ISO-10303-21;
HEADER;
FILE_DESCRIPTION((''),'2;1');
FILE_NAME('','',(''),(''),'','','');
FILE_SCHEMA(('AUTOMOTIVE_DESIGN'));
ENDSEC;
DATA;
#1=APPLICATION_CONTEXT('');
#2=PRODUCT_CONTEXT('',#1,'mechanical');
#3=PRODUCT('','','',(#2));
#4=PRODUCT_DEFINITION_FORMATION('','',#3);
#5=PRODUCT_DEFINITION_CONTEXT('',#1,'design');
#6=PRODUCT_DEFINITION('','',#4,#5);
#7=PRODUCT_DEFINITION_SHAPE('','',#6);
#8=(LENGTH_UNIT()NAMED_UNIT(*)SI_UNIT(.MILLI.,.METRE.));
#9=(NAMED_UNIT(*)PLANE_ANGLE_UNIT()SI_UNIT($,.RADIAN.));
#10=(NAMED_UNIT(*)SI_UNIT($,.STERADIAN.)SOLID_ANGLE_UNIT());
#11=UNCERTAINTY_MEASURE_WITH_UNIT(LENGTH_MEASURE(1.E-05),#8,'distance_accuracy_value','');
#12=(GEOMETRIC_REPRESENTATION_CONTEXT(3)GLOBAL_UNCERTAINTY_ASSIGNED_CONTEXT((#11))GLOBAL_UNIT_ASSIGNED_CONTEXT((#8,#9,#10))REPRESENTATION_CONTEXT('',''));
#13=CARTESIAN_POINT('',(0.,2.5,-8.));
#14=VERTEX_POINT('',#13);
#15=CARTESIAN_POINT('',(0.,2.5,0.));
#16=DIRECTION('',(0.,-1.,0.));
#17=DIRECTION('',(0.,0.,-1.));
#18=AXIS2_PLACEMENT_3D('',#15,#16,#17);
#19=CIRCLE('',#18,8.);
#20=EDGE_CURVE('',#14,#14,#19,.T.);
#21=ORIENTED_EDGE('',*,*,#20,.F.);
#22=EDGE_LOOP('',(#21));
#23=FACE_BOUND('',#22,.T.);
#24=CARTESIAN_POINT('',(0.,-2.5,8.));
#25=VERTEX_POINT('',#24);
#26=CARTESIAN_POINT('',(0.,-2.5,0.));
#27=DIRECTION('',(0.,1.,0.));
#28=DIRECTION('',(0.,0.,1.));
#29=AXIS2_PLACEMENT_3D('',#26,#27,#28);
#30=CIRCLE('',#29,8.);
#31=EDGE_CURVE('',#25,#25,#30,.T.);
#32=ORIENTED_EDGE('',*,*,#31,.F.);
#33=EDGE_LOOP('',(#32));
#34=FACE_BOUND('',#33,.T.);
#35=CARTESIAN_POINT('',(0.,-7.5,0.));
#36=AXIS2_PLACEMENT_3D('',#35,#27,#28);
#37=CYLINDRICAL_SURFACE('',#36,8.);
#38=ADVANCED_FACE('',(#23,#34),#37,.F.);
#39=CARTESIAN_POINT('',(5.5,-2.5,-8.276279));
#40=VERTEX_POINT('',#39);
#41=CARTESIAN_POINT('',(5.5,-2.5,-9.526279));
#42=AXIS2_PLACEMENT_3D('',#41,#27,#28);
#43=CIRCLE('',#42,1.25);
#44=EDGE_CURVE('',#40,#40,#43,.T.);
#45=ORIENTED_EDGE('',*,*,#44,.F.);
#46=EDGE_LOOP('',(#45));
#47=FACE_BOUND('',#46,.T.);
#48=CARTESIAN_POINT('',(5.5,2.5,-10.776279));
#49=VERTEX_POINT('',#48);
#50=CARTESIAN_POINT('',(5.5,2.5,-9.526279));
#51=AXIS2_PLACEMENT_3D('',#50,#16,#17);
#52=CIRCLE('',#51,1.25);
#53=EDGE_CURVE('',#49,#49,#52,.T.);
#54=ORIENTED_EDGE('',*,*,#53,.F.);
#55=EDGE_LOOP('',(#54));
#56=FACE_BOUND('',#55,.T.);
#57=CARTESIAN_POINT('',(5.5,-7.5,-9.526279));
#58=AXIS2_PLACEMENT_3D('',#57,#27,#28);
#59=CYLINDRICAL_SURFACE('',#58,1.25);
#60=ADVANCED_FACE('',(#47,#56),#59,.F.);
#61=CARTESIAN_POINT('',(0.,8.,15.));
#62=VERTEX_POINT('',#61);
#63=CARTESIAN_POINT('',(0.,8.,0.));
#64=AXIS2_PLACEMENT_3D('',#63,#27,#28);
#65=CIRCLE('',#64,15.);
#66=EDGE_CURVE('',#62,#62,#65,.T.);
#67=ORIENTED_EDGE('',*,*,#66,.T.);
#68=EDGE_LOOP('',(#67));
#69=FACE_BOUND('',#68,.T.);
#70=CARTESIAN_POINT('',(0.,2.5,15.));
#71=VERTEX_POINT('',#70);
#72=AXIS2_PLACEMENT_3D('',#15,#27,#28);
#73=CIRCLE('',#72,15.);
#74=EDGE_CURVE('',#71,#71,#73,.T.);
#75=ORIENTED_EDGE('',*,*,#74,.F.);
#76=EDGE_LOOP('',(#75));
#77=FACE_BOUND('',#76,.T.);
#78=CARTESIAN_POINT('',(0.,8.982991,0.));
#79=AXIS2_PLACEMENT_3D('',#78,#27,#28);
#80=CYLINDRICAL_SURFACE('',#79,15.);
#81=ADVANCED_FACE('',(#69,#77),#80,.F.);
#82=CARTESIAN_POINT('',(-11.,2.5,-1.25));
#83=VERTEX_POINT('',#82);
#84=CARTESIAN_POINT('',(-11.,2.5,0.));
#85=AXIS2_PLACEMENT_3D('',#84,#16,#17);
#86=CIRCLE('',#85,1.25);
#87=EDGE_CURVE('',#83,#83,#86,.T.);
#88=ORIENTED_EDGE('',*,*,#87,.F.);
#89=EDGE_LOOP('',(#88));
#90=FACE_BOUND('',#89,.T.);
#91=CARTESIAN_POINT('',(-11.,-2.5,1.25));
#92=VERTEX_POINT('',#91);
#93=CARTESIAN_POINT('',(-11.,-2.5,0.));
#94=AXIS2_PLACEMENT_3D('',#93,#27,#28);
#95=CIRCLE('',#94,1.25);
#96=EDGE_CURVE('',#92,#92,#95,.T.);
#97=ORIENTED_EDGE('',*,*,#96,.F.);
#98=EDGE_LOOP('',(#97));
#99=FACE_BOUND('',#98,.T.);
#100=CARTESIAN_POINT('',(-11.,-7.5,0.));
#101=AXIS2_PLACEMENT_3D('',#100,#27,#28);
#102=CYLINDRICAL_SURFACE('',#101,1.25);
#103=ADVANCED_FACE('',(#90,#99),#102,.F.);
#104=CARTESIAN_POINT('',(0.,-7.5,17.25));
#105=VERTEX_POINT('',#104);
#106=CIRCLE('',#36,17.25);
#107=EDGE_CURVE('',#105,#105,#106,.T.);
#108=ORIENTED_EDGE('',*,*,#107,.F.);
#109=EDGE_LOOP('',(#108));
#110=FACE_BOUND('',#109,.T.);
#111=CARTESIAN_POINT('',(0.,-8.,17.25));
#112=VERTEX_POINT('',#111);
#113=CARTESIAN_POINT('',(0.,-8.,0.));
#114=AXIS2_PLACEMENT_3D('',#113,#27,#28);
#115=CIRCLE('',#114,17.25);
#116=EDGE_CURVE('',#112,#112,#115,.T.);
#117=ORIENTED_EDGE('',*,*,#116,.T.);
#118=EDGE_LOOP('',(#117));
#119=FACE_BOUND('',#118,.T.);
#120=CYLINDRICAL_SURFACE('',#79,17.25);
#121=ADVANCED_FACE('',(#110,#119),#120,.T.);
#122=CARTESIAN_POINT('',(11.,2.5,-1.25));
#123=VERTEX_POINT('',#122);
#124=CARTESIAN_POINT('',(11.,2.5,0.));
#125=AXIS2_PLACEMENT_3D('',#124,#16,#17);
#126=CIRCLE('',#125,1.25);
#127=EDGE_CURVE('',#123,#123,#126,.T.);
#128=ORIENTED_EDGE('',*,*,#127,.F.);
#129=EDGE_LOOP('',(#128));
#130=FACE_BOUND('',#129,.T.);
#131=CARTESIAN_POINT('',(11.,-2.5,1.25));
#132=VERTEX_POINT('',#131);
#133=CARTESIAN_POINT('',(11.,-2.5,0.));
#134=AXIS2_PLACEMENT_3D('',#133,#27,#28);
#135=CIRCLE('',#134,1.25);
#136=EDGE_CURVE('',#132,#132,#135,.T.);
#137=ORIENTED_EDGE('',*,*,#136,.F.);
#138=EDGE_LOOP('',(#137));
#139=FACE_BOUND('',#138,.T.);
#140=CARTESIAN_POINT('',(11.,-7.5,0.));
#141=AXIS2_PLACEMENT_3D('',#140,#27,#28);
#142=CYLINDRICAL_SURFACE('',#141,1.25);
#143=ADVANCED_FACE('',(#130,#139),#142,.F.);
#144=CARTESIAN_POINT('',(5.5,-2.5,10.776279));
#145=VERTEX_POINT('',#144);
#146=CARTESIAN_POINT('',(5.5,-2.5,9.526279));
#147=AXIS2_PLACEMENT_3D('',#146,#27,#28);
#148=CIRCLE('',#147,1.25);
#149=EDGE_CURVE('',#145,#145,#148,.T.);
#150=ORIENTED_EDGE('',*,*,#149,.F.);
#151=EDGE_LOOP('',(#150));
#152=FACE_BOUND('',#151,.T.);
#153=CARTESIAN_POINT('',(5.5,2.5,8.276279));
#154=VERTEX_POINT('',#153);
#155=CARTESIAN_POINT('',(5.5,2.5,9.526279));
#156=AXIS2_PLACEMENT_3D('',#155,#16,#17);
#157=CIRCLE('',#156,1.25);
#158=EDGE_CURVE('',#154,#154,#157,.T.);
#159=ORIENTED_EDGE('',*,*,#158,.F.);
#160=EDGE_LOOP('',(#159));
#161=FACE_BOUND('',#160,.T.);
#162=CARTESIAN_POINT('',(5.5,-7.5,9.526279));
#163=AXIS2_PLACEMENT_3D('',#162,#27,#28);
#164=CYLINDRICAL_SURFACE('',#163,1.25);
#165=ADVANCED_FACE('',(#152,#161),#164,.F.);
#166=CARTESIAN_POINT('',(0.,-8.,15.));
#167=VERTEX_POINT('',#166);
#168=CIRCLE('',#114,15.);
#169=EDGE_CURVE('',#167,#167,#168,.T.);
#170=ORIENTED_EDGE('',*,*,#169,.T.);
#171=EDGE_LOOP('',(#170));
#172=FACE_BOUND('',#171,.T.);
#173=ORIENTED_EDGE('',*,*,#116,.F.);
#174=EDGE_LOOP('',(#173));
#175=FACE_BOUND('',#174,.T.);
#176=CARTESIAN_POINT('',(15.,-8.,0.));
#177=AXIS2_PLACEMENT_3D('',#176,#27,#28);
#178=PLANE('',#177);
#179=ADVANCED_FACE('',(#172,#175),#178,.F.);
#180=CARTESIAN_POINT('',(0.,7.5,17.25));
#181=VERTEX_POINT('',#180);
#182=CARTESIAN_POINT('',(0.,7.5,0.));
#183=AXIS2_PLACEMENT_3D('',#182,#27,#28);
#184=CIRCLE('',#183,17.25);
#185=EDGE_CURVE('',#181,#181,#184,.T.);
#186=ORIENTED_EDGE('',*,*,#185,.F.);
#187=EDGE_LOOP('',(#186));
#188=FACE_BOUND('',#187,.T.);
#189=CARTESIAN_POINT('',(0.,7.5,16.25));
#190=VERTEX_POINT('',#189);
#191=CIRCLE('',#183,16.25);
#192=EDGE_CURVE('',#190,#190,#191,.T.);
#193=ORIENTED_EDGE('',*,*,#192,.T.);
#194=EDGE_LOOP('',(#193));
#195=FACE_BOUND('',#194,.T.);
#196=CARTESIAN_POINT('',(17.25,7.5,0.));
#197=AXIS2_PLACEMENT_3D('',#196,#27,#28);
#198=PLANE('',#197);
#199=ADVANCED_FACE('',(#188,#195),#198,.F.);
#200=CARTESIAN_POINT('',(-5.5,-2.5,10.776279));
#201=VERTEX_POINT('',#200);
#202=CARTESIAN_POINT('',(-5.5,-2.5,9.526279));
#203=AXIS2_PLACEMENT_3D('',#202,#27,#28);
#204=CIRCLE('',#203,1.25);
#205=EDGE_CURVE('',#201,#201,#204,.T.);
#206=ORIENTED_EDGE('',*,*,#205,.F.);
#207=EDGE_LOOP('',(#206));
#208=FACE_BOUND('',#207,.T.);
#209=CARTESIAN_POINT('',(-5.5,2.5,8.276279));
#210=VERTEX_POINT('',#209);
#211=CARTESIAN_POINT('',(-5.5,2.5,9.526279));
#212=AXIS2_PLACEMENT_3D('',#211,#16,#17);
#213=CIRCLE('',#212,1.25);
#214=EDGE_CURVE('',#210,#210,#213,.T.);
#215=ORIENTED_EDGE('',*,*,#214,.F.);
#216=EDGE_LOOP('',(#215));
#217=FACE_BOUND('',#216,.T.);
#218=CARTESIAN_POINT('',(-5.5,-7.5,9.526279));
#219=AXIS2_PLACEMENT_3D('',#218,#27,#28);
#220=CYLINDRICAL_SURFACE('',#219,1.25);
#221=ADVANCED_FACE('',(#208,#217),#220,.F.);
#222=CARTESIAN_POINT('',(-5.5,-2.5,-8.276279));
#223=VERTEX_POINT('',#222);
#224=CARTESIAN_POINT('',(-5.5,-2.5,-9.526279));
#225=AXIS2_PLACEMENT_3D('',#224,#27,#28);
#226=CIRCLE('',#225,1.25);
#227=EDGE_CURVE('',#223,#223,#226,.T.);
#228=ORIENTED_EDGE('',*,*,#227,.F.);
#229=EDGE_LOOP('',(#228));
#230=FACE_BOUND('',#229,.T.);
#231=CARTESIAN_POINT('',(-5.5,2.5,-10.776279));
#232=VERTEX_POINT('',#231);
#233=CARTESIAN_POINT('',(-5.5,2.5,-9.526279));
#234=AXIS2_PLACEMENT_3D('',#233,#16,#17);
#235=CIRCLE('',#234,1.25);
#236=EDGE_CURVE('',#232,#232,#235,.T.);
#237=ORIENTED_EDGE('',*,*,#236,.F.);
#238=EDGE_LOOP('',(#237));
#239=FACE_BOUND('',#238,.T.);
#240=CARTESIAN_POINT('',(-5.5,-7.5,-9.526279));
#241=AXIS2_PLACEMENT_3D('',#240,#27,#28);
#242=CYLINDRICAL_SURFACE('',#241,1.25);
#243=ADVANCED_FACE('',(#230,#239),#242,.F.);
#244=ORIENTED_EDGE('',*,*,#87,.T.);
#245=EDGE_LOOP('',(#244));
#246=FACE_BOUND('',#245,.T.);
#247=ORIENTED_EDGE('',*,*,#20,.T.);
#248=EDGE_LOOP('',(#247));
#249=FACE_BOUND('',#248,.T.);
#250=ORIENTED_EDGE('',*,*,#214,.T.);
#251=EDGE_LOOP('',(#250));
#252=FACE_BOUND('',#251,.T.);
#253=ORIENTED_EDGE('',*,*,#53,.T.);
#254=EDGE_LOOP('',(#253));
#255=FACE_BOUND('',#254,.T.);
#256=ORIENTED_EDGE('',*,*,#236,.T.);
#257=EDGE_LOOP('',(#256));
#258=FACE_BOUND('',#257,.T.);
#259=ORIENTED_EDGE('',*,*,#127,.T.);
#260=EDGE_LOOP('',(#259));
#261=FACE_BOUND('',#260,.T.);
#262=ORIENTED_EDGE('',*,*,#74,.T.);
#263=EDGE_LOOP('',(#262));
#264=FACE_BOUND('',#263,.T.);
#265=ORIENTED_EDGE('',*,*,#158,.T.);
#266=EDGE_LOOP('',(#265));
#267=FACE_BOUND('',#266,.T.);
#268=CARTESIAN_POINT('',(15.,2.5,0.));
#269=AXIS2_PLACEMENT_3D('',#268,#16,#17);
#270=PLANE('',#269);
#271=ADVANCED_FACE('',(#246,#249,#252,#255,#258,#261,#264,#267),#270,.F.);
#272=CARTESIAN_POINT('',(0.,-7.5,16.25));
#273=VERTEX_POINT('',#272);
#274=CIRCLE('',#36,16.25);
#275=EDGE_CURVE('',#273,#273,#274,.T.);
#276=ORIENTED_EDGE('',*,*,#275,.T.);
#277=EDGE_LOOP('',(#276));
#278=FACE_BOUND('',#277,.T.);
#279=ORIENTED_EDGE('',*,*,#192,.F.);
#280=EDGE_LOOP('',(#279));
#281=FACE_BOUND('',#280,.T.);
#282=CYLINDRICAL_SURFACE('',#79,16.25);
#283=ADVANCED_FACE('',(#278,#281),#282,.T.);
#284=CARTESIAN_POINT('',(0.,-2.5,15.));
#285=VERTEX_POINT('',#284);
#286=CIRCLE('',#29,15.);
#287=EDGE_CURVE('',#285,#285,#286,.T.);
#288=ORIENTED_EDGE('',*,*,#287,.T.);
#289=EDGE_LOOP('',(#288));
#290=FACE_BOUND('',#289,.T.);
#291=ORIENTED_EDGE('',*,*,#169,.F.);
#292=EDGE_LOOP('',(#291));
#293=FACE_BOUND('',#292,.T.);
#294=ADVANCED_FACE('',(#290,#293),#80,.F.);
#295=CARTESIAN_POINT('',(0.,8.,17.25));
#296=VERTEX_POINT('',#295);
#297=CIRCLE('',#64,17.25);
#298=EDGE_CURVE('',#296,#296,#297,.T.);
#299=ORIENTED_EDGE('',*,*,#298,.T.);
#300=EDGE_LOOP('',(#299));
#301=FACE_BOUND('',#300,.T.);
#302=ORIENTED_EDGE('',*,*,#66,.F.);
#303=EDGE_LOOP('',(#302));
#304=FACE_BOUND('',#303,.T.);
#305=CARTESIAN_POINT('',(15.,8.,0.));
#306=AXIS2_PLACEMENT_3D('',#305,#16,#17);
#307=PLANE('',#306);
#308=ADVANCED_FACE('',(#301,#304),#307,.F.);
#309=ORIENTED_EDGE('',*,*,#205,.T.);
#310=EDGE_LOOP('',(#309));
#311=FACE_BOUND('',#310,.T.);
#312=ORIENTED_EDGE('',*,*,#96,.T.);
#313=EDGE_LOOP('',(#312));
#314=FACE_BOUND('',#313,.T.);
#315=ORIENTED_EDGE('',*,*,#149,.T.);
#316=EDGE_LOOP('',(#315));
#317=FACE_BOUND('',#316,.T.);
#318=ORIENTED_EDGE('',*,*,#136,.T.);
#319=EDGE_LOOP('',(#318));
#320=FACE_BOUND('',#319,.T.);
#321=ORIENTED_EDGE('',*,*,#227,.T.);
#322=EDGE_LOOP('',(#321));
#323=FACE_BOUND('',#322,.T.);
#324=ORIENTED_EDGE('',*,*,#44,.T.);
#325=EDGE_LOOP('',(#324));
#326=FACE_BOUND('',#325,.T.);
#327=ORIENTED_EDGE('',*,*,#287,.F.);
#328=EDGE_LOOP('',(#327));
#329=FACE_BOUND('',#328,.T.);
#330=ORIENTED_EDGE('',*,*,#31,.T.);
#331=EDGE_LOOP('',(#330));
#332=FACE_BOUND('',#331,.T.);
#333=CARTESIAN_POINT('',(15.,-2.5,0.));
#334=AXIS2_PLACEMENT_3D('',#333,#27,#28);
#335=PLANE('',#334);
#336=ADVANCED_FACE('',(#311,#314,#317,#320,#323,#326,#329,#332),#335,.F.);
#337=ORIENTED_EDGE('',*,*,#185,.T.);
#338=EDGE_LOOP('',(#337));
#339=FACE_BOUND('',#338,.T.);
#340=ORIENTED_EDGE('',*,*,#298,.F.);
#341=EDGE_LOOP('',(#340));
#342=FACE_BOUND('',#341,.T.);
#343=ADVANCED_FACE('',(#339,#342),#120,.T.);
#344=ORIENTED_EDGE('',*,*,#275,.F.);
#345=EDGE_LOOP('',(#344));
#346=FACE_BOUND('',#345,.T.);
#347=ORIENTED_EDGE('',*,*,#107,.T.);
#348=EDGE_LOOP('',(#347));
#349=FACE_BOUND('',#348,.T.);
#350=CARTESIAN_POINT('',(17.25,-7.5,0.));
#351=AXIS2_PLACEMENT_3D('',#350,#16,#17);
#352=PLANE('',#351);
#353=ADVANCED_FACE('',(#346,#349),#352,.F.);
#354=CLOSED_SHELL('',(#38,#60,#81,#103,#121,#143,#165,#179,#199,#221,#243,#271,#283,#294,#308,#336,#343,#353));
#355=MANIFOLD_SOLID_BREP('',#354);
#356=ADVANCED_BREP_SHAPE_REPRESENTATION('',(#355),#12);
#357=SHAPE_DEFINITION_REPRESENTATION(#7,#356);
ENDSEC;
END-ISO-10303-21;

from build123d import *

# Parameters (mm, degrees)
SKETCH2_R          = 1.25
SKETCH2_R_2        = 8
CUT_EXTRUDE1_DEPTH = 10


with BuildPart() as part:
    # Sketch1 → Revolve1 (revolve)
    with BuildSketch(Plane.XY):
        Polygon((15, 8), (17.25, 8), (17.25, 7.5), (16.25, 7.5), (16.25, -7.5), (17.25, -7.5), (17.25, -8), (15, -8), (15, -2.5), (0, -2.5), (0, 2.5), (15, 2.5), align=None)
    revolve(axis=Axis((0, 8.982990787, 0), (0, -1, 0)))

    # Sketch2 → Cut-Extrude1 (cut, symmetric)
    with BuildSketch(Plane(origin=(0, 2.5, 0), x_dir=(1, 0, 0), z_dir=(0, 1, 0))):
        with Locations((11, 0)):
            Circle(SKETCH2_R)
        with Locations((5.5, -9.526279442)):
            Circle(SKETCH2_R)
        with Locations((-5.5, -9.526279442)):
            Circle(SKETCH2_R)
        with Locations((-11, 0)):
            Circle(SKETCH2_R)
        with Locations((-5.5, 9.526279442)):
            Circle(SKETCH2_R)
        with Locations((5.5, 9.526279442)):
            Circle(SKETCH2_R)
        Circle(SKETCH2_R_2)
    extrude(amount=CUT_EXTRUDE1_DEPTH, both=True, mode=Mode.SUBTRACT)


solid = part.part
